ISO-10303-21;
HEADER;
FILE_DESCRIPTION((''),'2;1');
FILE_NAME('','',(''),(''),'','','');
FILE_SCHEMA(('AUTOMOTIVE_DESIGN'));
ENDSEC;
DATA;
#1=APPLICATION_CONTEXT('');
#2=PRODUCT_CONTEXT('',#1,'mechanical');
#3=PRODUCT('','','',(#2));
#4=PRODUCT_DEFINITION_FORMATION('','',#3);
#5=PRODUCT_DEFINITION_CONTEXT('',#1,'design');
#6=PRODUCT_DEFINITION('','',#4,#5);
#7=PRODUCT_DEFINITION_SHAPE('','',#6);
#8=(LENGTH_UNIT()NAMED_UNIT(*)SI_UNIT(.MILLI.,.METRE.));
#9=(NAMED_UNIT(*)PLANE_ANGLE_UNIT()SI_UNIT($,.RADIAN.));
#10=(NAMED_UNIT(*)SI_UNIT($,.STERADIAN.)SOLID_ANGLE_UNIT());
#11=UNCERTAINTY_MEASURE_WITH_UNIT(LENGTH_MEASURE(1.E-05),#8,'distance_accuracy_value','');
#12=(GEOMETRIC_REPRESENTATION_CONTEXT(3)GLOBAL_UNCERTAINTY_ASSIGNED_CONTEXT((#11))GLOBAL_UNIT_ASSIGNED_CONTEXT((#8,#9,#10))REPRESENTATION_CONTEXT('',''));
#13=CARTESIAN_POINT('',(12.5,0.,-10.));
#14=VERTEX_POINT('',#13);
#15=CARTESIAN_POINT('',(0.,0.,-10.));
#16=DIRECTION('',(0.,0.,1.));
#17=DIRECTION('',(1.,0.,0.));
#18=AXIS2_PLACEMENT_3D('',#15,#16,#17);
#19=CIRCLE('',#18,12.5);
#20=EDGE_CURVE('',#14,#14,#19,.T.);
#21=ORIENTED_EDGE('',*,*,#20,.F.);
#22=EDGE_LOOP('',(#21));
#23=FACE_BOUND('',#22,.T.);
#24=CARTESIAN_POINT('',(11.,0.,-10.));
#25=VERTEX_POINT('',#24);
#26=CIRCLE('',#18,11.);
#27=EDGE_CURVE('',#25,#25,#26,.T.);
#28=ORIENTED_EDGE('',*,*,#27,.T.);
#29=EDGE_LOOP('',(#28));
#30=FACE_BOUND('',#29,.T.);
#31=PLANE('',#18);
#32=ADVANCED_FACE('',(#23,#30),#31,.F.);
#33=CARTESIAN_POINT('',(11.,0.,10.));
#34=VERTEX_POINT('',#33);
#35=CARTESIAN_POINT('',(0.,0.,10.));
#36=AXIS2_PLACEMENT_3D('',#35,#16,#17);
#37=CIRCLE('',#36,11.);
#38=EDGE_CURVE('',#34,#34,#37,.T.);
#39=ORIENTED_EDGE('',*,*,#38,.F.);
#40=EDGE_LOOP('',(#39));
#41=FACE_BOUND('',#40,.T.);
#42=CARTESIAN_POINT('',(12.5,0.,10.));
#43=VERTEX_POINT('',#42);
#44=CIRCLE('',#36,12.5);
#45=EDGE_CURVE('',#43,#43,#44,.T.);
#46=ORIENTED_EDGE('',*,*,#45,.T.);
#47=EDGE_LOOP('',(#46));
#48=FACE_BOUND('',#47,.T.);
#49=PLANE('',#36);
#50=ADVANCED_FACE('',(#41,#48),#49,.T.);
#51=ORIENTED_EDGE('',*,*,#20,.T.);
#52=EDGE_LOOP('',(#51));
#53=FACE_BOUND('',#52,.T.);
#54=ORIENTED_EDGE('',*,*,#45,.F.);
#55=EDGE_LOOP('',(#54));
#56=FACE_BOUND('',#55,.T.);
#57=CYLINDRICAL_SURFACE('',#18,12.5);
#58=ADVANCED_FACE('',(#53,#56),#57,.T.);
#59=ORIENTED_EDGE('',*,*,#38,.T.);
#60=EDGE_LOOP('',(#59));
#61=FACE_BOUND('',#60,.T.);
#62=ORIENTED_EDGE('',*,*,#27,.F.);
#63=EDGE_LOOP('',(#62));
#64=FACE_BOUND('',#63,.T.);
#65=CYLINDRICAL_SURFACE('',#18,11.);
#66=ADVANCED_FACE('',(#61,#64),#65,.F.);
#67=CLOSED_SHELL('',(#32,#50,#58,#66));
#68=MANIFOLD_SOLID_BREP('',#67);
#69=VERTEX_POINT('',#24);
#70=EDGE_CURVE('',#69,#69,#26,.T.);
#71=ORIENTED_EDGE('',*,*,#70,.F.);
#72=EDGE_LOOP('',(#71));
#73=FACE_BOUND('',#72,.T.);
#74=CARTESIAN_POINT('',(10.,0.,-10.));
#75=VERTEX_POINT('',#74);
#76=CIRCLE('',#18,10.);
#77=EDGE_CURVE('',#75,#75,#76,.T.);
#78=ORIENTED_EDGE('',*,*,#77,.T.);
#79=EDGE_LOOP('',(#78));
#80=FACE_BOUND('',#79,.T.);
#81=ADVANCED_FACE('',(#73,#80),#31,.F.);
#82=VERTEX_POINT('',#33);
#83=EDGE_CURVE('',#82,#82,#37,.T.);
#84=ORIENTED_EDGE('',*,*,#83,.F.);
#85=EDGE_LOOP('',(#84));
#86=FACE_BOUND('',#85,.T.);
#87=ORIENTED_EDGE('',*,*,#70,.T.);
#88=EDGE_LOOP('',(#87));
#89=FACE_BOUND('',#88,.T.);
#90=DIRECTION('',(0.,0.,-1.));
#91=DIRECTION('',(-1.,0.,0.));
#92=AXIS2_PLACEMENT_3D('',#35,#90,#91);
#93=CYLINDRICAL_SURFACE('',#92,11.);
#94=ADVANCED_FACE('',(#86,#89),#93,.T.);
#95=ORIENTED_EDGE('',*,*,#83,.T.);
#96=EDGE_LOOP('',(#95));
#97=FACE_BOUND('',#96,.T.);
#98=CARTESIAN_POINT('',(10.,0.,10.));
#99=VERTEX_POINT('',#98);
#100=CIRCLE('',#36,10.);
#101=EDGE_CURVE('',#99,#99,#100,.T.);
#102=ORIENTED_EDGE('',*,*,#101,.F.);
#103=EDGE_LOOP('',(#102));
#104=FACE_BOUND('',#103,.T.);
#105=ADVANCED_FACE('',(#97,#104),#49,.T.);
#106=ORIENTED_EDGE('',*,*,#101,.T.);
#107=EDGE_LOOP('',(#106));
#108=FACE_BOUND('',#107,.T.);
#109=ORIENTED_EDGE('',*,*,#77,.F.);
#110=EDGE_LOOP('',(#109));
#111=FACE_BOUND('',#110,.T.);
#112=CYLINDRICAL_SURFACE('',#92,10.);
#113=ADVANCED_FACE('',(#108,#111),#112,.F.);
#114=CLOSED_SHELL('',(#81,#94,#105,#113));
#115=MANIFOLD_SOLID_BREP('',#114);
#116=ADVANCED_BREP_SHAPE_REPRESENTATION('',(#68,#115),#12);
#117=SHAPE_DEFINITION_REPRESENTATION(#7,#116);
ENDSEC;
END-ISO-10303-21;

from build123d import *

# Parameters (mm, degrees)
SKETCH2_R           = 11
SKETCH2_R_2         = 10
BOSS_EXTRUDE1_DEPTH = 10
SKETCH3_R           = 12.5
SKETCH3_R_2         = 11
BOSS_EXTRUDE2_DEPTH = 20


with BuildPart() as part:
    # Sketch2 → Boss-Extrude1 (new body, symmetric)
    with BuildSketch(Plane.XY):
        Circle(SKETCH2_R)
        Circle(SKETCH2_R_2, mode=Mode.SUBTRACT)
    extrude(amount=BOSS_EXTRUDE1_DEPTH, both=True)


with BuildPart() as body_2:
    # Sketch3 → Boss-Extrude2 (new body, through all)
    with BuildSketch(Plane.XY.offset(10)):
        Circle(SKETCH3_R)
        Circle(SKETCH3_R_2, mode=Mode.SUBTRACT)
    extrude(amount=-BOSS_EXTRUDE2_DEPTH)


solid = Compound([part.part, body_2.part])
